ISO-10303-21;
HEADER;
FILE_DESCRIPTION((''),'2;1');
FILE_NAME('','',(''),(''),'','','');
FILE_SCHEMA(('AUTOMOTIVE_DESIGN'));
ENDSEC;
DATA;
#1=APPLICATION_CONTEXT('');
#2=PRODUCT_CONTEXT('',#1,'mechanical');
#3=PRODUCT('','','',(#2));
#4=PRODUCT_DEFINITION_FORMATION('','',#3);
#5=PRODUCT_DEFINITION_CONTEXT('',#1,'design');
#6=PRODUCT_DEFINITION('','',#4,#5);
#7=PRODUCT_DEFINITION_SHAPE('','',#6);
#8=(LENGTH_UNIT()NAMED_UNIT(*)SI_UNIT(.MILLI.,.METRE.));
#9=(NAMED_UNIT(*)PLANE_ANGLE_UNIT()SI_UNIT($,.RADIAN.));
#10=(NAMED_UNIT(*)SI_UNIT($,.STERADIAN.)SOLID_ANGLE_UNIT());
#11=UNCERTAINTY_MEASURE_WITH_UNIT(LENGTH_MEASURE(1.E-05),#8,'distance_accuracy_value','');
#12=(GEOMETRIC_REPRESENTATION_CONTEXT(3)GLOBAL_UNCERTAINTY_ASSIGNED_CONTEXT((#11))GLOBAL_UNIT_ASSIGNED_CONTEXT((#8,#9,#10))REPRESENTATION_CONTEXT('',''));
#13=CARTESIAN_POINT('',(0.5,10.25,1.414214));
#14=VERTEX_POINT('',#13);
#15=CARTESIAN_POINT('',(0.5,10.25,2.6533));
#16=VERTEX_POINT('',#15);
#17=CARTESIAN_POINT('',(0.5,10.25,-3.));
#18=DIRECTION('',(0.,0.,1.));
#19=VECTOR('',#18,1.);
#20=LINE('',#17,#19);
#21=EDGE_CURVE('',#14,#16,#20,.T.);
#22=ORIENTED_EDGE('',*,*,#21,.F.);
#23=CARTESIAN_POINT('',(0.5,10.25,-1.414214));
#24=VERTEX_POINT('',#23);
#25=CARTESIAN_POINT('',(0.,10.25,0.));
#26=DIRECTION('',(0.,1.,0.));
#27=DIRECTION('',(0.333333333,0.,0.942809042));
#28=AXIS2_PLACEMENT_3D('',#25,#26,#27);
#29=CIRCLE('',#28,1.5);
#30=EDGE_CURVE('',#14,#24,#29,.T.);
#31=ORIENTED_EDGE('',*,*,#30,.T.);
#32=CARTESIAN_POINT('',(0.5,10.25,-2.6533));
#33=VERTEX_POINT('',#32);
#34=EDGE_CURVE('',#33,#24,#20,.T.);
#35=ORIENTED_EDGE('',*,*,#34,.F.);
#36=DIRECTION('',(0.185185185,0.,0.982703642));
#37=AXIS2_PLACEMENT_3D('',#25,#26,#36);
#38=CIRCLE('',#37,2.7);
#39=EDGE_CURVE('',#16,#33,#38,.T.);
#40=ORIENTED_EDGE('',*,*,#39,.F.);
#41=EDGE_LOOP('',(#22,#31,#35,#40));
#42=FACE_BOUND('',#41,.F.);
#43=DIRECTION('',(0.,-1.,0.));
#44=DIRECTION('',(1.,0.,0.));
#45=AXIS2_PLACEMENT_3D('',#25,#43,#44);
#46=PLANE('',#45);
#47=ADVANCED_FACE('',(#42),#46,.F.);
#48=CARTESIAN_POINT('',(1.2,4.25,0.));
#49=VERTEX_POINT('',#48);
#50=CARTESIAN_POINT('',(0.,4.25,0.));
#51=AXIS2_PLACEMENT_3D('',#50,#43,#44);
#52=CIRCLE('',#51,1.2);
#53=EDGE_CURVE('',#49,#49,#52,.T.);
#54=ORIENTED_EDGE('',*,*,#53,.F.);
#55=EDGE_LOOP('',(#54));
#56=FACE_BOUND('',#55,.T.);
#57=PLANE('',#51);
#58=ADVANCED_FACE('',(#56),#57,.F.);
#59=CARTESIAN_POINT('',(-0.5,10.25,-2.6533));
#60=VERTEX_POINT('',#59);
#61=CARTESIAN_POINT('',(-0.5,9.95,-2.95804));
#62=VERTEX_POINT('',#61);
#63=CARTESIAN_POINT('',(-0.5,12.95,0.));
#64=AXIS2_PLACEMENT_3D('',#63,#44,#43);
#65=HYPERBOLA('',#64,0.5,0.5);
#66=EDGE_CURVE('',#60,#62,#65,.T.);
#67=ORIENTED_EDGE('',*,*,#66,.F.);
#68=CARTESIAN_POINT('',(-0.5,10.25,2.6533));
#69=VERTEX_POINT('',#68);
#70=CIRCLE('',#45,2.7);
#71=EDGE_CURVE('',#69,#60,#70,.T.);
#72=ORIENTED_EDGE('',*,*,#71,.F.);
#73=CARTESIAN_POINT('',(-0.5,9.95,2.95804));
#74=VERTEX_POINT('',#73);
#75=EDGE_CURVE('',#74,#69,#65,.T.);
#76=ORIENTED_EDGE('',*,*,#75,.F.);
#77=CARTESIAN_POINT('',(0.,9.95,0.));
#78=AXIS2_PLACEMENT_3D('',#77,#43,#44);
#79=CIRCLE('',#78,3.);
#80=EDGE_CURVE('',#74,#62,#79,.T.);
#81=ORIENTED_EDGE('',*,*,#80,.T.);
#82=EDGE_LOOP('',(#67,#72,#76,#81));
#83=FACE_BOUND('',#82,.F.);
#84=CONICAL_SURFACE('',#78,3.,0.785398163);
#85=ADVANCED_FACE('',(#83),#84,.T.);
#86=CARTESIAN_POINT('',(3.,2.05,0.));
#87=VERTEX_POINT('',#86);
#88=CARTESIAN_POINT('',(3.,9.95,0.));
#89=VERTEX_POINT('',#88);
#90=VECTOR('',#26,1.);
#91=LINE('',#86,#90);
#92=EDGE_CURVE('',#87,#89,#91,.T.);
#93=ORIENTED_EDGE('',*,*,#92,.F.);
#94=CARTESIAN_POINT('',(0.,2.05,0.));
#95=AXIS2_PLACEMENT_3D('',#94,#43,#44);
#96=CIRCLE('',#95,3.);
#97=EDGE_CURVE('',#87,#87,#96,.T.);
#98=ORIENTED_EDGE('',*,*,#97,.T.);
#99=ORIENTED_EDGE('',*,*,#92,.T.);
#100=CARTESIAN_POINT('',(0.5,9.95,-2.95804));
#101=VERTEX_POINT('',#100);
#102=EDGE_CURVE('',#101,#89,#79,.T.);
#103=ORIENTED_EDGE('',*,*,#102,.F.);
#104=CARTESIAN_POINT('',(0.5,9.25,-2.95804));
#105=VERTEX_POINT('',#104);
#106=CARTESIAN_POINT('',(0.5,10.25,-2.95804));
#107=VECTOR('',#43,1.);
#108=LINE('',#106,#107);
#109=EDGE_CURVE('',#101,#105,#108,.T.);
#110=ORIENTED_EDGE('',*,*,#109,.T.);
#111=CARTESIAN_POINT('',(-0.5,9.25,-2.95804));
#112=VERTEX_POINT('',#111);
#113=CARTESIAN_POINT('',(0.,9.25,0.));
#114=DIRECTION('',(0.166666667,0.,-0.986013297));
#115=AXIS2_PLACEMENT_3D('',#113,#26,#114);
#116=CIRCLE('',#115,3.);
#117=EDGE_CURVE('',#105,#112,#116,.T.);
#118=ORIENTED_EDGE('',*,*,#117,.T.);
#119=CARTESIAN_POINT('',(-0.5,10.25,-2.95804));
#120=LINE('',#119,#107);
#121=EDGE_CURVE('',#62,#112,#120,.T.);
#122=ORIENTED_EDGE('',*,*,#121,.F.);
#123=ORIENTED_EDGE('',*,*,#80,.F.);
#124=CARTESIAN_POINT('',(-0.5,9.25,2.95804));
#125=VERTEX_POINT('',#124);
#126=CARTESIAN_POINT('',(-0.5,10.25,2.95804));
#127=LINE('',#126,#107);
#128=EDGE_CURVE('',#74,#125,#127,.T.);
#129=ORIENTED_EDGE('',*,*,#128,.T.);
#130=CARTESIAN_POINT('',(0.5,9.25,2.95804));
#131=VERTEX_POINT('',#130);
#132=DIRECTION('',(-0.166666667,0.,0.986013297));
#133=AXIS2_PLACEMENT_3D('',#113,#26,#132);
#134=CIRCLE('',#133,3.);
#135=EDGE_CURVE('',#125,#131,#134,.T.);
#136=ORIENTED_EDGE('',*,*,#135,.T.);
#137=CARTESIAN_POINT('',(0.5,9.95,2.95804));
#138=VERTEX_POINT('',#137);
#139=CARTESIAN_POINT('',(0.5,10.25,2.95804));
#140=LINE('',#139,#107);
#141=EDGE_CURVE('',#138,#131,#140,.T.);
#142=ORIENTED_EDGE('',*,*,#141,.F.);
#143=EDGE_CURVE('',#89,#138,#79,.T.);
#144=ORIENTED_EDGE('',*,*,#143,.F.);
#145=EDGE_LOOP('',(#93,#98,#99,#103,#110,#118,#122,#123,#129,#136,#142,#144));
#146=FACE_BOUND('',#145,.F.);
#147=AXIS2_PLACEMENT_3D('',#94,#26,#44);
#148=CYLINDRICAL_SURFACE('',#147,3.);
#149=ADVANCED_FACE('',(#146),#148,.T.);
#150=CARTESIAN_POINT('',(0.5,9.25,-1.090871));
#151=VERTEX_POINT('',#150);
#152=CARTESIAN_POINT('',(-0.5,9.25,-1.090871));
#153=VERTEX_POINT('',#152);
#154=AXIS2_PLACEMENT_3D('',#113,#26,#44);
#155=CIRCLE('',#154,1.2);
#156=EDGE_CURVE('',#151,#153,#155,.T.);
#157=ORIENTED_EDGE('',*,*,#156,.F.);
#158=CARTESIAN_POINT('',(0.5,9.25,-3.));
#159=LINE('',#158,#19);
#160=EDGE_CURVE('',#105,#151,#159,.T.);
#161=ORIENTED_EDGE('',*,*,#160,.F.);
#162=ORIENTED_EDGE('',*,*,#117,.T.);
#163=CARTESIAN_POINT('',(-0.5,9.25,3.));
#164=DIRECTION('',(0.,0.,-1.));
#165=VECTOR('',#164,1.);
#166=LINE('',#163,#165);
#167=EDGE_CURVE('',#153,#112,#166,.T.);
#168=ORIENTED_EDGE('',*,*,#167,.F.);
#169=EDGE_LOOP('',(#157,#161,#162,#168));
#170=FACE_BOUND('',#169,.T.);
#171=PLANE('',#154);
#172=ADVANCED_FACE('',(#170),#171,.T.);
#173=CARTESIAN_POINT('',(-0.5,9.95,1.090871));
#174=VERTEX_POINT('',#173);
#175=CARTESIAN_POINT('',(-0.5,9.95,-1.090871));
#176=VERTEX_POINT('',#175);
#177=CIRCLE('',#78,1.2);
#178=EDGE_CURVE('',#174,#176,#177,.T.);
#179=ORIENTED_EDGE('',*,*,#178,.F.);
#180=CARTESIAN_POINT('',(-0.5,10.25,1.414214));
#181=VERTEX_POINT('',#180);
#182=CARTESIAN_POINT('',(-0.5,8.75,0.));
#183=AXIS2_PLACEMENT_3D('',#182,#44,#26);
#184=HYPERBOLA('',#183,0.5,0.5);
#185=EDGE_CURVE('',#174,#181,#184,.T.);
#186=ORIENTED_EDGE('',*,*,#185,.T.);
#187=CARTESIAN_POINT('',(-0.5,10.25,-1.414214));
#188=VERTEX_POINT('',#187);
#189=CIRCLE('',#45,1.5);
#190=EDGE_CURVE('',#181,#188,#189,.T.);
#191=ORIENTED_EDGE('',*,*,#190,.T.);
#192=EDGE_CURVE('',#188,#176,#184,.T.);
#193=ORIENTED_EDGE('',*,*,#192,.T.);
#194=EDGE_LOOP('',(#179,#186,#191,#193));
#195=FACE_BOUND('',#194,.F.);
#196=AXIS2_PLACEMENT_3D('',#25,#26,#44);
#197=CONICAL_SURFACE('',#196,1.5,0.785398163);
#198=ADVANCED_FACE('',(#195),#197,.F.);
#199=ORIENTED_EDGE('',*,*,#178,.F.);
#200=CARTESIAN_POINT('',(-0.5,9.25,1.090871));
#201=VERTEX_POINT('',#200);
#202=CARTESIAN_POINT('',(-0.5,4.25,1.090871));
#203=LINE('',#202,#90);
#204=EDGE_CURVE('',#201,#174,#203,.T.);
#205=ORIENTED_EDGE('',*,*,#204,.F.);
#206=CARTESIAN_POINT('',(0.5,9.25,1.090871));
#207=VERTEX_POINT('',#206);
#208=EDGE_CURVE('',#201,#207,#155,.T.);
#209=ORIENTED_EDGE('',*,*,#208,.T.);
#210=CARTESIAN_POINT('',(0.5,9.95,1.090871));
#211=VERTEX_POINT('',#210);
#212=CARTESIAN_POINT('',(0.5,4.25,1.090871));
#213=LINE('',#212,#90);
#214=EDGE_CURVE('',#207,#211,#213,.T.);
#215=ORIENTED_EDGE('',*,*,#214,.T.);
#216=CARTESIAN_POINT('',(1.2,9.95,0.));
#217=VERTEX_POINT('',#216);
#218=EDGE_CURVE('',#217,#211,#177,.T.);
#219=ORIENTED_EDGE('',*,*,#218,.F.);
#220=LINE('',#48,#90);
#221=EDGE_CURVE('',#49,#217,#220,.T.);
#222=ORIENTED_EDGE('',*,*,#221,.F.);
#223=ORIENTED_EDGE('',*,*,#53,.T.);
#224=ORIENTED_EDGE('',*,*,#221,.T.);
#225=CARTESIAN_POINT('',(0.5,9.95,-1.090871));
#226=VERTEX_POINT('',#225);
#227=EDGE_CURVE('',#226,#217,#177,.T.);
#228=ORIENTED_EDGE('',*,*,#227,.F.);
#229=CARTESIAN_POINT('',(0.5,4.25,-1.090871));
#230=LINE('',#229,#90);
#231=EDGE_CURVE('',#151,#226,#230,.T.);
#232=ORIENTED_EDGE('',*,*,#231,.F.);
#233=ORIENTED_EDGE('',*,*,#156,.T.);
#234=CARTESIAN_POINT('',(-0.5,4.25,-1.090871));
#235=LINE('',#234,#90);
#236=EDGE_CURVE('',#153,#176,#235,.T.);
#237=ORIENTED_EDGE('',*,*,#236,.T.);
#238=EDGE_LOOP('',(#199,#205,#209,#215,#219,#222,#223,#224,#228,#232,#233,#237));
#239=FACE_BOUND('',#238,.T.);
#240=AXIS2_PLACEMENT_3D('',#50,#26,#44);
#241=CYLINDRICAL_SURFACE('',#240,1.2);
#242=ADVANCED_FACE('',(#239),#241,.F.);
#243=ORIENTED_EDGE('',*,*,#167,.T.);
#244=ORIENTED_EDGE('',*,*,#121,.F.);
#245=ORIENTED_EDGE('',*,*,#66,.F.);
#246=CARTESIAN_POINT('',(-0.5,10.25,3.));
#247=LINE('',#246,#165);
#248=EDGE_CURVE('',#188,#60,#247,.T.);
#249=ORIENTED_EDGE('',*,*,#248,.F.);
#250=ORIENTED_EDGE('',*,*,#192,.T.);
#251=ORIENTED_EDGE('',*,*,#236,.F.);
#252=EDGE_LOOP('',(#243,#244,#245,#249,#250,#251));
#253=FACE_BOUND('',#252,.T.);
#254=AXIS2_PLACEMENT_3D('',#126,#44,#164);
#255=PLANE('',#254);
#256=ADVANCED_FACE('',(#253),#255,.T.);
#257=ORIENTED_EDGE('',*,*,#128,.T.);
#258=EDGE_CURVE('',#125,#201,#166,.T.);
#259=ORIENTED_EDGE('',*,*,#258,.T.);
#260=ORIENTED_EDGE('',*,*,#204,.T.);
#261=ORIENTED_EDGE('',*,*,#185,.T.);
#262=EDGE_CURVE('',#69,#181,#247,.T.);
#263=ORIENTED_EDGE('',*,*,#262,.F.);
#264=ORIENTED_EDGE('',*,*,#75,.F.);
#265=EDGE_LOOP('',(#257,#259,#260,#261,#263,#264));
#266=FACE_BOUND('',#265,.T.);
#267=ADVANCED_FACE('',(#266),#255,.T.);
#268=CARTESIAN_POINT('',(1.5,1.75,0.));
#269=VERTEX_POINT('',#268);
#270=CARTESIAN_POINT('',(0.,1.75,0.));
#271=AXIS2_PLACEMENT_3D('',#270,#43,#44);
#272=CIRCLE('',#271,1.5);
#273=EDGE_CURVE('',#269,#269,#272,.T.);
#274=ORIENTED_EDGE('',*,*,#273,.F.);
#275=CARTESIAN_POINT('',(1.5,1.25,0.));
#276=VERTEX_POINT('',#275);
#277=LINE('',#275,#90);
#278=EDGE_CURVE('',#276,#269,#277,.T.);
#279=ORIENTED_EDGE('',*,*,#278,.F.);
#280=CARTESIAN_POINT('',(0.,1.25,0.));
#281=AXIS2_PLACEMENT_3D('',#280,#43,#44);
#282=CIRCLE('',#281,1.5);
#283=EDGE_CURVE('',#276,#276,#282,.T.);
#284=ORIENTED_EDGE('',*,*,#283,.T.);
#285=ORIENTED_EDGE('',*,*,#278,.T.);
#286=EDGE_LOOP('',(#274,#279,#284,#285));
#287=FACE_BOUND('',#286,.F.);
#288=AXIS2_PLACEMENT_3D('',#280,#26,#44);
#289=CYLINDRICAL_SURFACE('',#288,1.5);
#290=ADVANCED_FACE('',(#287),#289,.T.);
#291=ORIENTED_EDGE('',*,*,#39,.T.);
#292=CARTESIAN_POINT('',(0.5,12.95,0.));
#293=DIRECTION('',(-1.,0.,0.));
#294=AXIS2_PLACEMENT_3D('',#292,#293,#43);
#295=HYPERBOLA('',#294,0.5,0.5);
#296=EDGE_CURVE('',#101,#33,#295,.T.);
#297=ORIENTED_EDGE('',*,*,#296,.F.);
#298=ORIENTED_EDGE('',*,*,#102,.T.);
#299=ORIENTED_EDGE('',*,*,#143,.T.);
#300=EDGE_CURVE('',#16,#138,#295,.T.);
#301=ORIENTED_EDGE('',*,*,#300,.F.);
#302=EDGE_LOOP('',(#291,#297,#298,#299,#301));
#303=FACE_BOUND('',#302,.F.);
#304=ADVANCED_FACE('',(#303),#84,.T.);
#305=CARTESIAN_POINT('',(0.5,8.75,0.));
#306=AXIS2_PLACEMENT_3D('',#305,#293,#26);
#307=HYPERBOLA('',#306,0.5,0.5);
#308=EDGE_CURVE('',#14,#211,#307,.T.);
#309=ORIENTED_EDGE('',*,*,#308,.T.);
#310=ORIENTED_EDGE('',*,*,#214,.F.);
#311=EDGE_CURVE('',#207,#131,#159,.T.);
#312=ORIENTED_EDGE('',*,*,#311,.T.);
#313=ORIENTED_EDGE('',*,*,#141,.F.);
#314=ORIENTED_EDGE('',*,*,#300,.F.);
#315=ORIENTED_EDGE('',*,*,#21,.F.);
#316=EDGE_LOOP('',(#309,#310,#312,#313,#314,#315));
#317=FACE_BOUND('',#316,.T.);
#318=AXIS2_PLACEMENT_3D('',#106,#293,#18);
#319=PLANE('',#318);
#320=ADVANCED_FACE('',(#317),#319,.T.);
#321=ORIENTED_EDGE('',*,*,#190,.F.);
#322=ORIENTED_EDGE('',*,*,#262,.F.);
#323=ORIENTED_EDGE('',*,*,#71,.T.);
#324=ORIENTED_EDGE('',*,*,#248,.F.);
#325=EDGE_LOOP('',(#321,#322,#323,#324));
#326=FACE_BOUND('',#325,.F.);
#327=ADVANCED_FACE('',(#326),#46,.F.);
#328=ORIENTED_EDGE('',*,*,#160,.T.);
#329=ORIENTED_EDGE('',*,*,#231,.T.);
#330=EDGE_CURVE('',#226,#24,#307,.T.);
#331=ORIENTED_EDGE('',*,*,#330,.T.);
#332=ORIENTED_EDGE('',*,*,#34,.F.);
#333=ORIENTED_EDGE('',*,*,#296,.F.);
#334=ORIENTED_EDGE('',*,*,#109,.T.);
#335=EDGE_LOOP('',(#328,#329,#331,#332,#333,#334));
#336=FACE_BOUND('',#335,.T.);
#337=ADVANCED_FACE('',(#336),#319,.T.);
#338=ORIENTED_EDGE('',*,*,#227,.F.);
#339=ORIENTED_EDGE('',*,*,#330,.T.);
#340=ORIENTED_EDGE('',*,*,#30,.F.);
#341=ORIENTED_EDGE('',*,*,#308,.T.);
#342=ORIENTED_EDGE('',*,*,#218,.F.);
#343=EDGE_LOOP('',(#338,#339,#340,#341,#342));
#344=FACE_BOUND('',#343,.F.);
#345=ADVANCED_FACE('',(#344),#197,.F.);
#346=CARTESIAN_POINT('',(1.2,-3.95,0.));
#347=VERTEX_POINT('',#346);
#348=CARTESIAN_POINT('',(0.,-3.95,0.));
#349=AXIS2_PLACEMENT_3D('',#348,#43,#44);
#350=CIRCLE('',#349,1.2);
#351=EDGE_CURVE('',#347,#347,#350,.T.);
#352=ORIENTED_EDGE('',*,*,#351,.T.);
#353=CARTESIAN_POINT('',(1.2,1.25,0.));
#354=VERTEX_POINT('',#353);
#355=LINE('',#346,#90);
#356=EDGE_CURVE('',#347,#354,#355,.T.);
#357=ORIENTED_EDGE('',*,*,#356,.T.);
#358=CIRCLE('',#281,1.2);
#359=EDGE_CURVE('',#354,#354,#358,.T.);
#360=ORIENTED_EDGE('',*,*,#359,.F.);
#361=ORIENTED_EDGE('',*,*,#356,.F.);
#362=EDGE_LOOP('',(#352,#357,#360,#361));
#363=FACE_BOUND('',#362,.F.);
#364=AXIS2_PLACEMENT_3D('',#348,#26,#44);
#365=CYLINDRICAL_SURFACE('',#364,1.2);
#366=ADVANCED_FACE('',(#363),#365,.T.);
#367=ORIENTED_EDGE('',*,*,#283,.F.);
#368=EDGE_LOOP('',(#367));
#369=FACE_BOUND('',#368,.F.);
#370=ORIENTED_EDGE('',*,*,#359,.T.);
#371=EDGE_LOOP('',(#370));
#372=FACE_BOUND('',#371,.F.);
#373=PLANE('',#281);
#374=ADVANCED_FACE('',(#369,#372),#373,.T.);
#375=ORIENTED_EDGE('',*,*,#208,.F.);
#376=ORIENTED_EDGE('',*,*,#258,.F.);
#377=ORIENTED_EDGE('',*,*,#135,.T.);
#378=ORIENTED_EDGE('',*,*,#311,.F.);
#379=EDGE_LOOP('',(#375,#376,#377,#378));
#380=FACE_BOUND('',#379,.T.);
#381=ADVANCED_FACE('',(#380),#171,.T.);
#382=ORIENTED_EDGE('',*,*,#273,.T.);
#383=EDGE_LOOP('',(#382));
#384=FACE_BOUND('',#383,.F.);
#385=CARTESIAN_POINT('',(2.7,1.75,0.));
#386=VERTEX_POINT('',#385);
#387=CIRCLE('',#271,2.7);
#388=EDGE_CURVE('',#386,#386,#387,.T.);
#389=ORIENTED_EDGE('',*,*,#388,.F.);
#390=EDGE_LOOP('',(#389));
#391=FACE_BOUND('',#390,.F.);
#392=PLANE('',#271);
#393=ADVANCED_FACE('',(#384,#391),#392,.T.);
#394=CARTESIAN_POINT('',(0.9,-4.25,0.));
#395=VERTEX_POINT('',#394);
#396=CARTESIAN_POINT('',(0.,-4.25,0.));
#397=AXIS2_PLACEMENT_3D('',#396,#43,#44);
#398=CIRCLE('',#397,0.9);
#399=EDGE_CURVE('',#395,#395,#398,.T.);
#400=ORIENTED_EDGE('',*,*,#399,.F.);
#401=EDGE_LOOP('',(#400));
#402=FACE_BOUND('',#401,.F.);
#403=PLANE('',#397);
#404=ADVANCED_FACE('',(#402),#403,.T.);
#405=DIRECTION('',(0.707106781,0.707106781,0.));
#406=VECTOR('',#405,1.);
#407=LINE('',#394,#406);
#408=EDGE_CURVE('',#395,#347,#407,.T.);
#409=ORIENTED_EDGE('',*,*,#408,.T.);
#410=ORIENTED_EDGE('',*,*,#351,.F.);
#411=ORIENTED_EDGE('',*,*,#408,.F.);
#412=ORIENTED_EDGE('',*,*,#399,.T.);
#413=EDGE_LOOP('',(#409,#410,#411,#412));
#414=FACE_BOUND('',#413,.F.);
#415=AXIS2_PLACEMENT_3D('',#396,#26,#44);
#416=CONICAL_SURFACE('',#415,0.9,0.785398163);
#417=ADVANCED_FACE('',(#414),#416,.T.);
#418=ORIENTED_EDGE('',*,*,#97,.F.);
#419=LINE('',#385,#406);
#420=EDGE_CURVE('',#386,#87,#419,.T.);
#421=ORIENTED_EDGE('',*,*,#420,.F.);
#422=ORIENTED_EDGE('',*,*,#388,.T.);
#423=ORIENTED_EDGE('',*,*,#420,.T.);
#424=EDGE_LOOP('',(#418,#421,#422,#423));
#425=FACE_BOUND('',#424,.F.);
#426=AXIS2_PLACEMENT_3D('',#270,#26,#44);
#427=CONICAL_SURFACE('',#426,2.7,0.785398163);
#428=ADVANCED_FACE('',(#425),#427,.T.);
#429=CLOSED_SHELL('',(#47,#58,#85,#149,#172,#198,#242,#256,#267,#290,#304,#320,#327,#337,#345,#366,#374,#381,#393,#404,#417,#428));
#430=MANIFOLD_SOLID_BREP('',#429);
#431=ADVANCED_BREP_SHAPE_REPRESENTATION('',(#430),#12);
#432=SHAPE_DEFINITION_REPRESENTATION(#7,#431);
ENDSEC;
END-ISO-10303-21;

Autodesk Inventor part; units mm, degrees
ref_plane "YZ Plane" through (0, 0, 0) normal (1, 0, 0) x (0, 1, 0)
ref_plane "XZ Plane" through (0, 0, 0) normal (0, 1, 0) x (-1, 0, 0)
ref_plane "XY Plane" through (0, 0, 0) normal (0, 0, 1) x (1, 0, 0)
sketch "スケッチ1" plane through (0, 0, 0) normal (0, 0, 1) x (1, 0, 0)
  line L0 (0, -4.25) -> (0.9, -4.25)
  line L1 (0.9, -4.25) -> (1.2, -3.95)
  line L2 (1.2, -3.95) -> (1.2, 1.25)
  line L3 (1.2, 1.25) -> (1.5, 1.25)
  line L4 (1.5, 1.25) -> (1.5, 1.75)
  line L5 (1.5, 1.75) -> (2.7, 1.75)
  line L6 (3, 9.95) -> (2.7, 10.25)
  line L7 (2.7, 10.25) -> (1.5, 10.25)
  line L8 (1.5, 10.25) -> (1.2, 9.95)
  line L9 (0, 7.4044) -> (0, -7.4044) construction
  line L10 (0, -4.25) -> (0, 4.25)
  line L11 (0, 4.25) -> (1.2, 4.25)
  line L12 (1.2, 4.25) -> (1.2, 9.95)
  line L13 (2.7, 1.75) -> (3, 2.05)
  line L14 (3, 2.05) -> (3, 9.95)
  point P0 (0, 0)
  point P1 (0, 0)
  point P2 (0, 0)
  dimension "d0" = 2.4
  dimension "d1" = 6
  dimension "d2" = 0.3
  dimension "d3" = 0.3
  dimension "d4" = 3
  dimension "d5" = 0.5
  dimension "d6" = 8.5
  dimension "d7" = 0.3
  dimension "d8" = 2.4
  dimension "d9" = 6
  dimension "d10" = 0.3
  dimension "d11" = 0.3
  dimension "d12" = 0.3
  dimension "d13" = 0.3
  dimension "d14" = 6
revolve "回転1" add sketch "スケッチ1" angle 360 about axis through (0, 7.4044, 0) along (0, -1, 0)
sketch "スケッチ2" plane through (0, 10.25, 0) normal (0, 1, 0) x (1, 0, 0)
  line L0 (-0.5, 3) -> (0.5, 3)
  line L1 (0.5, 3) -> (0.5, -3)
  line L2 (0.5, -3) -> (-0.5, -3)
  line L3 (-0.5, -3) -> (-0.5, 3)
  line L4 (-0.5, 3) -> (0.5, -3) construction
  line L5 (0.5, 3) -> (-0.5, -3) construction
  circle A0 centre (0, 0) radius 3 projected
  point P0 (0, 0)
  point P1 (0.5, 2.958)
  point P2 (-0.5, 2.958)
  point P3 (-0.5, -2.958)
  point P4 (0.5, -2.958)
  dimension "d16" = 1
extrude "押し出し1" cut sketch "スケッチ2" against normal blind 1 contours A0 L1 L3
equation "\"d3\" = d2"
equation "\"d10\" = d7"
equation "\"d11\" = d7"
equation "\"d12\" = d11"
equation "\"d13\" = d12"
properties part number "BRU-308_5SMO" material "ステンレス鋼 AISI 304"
